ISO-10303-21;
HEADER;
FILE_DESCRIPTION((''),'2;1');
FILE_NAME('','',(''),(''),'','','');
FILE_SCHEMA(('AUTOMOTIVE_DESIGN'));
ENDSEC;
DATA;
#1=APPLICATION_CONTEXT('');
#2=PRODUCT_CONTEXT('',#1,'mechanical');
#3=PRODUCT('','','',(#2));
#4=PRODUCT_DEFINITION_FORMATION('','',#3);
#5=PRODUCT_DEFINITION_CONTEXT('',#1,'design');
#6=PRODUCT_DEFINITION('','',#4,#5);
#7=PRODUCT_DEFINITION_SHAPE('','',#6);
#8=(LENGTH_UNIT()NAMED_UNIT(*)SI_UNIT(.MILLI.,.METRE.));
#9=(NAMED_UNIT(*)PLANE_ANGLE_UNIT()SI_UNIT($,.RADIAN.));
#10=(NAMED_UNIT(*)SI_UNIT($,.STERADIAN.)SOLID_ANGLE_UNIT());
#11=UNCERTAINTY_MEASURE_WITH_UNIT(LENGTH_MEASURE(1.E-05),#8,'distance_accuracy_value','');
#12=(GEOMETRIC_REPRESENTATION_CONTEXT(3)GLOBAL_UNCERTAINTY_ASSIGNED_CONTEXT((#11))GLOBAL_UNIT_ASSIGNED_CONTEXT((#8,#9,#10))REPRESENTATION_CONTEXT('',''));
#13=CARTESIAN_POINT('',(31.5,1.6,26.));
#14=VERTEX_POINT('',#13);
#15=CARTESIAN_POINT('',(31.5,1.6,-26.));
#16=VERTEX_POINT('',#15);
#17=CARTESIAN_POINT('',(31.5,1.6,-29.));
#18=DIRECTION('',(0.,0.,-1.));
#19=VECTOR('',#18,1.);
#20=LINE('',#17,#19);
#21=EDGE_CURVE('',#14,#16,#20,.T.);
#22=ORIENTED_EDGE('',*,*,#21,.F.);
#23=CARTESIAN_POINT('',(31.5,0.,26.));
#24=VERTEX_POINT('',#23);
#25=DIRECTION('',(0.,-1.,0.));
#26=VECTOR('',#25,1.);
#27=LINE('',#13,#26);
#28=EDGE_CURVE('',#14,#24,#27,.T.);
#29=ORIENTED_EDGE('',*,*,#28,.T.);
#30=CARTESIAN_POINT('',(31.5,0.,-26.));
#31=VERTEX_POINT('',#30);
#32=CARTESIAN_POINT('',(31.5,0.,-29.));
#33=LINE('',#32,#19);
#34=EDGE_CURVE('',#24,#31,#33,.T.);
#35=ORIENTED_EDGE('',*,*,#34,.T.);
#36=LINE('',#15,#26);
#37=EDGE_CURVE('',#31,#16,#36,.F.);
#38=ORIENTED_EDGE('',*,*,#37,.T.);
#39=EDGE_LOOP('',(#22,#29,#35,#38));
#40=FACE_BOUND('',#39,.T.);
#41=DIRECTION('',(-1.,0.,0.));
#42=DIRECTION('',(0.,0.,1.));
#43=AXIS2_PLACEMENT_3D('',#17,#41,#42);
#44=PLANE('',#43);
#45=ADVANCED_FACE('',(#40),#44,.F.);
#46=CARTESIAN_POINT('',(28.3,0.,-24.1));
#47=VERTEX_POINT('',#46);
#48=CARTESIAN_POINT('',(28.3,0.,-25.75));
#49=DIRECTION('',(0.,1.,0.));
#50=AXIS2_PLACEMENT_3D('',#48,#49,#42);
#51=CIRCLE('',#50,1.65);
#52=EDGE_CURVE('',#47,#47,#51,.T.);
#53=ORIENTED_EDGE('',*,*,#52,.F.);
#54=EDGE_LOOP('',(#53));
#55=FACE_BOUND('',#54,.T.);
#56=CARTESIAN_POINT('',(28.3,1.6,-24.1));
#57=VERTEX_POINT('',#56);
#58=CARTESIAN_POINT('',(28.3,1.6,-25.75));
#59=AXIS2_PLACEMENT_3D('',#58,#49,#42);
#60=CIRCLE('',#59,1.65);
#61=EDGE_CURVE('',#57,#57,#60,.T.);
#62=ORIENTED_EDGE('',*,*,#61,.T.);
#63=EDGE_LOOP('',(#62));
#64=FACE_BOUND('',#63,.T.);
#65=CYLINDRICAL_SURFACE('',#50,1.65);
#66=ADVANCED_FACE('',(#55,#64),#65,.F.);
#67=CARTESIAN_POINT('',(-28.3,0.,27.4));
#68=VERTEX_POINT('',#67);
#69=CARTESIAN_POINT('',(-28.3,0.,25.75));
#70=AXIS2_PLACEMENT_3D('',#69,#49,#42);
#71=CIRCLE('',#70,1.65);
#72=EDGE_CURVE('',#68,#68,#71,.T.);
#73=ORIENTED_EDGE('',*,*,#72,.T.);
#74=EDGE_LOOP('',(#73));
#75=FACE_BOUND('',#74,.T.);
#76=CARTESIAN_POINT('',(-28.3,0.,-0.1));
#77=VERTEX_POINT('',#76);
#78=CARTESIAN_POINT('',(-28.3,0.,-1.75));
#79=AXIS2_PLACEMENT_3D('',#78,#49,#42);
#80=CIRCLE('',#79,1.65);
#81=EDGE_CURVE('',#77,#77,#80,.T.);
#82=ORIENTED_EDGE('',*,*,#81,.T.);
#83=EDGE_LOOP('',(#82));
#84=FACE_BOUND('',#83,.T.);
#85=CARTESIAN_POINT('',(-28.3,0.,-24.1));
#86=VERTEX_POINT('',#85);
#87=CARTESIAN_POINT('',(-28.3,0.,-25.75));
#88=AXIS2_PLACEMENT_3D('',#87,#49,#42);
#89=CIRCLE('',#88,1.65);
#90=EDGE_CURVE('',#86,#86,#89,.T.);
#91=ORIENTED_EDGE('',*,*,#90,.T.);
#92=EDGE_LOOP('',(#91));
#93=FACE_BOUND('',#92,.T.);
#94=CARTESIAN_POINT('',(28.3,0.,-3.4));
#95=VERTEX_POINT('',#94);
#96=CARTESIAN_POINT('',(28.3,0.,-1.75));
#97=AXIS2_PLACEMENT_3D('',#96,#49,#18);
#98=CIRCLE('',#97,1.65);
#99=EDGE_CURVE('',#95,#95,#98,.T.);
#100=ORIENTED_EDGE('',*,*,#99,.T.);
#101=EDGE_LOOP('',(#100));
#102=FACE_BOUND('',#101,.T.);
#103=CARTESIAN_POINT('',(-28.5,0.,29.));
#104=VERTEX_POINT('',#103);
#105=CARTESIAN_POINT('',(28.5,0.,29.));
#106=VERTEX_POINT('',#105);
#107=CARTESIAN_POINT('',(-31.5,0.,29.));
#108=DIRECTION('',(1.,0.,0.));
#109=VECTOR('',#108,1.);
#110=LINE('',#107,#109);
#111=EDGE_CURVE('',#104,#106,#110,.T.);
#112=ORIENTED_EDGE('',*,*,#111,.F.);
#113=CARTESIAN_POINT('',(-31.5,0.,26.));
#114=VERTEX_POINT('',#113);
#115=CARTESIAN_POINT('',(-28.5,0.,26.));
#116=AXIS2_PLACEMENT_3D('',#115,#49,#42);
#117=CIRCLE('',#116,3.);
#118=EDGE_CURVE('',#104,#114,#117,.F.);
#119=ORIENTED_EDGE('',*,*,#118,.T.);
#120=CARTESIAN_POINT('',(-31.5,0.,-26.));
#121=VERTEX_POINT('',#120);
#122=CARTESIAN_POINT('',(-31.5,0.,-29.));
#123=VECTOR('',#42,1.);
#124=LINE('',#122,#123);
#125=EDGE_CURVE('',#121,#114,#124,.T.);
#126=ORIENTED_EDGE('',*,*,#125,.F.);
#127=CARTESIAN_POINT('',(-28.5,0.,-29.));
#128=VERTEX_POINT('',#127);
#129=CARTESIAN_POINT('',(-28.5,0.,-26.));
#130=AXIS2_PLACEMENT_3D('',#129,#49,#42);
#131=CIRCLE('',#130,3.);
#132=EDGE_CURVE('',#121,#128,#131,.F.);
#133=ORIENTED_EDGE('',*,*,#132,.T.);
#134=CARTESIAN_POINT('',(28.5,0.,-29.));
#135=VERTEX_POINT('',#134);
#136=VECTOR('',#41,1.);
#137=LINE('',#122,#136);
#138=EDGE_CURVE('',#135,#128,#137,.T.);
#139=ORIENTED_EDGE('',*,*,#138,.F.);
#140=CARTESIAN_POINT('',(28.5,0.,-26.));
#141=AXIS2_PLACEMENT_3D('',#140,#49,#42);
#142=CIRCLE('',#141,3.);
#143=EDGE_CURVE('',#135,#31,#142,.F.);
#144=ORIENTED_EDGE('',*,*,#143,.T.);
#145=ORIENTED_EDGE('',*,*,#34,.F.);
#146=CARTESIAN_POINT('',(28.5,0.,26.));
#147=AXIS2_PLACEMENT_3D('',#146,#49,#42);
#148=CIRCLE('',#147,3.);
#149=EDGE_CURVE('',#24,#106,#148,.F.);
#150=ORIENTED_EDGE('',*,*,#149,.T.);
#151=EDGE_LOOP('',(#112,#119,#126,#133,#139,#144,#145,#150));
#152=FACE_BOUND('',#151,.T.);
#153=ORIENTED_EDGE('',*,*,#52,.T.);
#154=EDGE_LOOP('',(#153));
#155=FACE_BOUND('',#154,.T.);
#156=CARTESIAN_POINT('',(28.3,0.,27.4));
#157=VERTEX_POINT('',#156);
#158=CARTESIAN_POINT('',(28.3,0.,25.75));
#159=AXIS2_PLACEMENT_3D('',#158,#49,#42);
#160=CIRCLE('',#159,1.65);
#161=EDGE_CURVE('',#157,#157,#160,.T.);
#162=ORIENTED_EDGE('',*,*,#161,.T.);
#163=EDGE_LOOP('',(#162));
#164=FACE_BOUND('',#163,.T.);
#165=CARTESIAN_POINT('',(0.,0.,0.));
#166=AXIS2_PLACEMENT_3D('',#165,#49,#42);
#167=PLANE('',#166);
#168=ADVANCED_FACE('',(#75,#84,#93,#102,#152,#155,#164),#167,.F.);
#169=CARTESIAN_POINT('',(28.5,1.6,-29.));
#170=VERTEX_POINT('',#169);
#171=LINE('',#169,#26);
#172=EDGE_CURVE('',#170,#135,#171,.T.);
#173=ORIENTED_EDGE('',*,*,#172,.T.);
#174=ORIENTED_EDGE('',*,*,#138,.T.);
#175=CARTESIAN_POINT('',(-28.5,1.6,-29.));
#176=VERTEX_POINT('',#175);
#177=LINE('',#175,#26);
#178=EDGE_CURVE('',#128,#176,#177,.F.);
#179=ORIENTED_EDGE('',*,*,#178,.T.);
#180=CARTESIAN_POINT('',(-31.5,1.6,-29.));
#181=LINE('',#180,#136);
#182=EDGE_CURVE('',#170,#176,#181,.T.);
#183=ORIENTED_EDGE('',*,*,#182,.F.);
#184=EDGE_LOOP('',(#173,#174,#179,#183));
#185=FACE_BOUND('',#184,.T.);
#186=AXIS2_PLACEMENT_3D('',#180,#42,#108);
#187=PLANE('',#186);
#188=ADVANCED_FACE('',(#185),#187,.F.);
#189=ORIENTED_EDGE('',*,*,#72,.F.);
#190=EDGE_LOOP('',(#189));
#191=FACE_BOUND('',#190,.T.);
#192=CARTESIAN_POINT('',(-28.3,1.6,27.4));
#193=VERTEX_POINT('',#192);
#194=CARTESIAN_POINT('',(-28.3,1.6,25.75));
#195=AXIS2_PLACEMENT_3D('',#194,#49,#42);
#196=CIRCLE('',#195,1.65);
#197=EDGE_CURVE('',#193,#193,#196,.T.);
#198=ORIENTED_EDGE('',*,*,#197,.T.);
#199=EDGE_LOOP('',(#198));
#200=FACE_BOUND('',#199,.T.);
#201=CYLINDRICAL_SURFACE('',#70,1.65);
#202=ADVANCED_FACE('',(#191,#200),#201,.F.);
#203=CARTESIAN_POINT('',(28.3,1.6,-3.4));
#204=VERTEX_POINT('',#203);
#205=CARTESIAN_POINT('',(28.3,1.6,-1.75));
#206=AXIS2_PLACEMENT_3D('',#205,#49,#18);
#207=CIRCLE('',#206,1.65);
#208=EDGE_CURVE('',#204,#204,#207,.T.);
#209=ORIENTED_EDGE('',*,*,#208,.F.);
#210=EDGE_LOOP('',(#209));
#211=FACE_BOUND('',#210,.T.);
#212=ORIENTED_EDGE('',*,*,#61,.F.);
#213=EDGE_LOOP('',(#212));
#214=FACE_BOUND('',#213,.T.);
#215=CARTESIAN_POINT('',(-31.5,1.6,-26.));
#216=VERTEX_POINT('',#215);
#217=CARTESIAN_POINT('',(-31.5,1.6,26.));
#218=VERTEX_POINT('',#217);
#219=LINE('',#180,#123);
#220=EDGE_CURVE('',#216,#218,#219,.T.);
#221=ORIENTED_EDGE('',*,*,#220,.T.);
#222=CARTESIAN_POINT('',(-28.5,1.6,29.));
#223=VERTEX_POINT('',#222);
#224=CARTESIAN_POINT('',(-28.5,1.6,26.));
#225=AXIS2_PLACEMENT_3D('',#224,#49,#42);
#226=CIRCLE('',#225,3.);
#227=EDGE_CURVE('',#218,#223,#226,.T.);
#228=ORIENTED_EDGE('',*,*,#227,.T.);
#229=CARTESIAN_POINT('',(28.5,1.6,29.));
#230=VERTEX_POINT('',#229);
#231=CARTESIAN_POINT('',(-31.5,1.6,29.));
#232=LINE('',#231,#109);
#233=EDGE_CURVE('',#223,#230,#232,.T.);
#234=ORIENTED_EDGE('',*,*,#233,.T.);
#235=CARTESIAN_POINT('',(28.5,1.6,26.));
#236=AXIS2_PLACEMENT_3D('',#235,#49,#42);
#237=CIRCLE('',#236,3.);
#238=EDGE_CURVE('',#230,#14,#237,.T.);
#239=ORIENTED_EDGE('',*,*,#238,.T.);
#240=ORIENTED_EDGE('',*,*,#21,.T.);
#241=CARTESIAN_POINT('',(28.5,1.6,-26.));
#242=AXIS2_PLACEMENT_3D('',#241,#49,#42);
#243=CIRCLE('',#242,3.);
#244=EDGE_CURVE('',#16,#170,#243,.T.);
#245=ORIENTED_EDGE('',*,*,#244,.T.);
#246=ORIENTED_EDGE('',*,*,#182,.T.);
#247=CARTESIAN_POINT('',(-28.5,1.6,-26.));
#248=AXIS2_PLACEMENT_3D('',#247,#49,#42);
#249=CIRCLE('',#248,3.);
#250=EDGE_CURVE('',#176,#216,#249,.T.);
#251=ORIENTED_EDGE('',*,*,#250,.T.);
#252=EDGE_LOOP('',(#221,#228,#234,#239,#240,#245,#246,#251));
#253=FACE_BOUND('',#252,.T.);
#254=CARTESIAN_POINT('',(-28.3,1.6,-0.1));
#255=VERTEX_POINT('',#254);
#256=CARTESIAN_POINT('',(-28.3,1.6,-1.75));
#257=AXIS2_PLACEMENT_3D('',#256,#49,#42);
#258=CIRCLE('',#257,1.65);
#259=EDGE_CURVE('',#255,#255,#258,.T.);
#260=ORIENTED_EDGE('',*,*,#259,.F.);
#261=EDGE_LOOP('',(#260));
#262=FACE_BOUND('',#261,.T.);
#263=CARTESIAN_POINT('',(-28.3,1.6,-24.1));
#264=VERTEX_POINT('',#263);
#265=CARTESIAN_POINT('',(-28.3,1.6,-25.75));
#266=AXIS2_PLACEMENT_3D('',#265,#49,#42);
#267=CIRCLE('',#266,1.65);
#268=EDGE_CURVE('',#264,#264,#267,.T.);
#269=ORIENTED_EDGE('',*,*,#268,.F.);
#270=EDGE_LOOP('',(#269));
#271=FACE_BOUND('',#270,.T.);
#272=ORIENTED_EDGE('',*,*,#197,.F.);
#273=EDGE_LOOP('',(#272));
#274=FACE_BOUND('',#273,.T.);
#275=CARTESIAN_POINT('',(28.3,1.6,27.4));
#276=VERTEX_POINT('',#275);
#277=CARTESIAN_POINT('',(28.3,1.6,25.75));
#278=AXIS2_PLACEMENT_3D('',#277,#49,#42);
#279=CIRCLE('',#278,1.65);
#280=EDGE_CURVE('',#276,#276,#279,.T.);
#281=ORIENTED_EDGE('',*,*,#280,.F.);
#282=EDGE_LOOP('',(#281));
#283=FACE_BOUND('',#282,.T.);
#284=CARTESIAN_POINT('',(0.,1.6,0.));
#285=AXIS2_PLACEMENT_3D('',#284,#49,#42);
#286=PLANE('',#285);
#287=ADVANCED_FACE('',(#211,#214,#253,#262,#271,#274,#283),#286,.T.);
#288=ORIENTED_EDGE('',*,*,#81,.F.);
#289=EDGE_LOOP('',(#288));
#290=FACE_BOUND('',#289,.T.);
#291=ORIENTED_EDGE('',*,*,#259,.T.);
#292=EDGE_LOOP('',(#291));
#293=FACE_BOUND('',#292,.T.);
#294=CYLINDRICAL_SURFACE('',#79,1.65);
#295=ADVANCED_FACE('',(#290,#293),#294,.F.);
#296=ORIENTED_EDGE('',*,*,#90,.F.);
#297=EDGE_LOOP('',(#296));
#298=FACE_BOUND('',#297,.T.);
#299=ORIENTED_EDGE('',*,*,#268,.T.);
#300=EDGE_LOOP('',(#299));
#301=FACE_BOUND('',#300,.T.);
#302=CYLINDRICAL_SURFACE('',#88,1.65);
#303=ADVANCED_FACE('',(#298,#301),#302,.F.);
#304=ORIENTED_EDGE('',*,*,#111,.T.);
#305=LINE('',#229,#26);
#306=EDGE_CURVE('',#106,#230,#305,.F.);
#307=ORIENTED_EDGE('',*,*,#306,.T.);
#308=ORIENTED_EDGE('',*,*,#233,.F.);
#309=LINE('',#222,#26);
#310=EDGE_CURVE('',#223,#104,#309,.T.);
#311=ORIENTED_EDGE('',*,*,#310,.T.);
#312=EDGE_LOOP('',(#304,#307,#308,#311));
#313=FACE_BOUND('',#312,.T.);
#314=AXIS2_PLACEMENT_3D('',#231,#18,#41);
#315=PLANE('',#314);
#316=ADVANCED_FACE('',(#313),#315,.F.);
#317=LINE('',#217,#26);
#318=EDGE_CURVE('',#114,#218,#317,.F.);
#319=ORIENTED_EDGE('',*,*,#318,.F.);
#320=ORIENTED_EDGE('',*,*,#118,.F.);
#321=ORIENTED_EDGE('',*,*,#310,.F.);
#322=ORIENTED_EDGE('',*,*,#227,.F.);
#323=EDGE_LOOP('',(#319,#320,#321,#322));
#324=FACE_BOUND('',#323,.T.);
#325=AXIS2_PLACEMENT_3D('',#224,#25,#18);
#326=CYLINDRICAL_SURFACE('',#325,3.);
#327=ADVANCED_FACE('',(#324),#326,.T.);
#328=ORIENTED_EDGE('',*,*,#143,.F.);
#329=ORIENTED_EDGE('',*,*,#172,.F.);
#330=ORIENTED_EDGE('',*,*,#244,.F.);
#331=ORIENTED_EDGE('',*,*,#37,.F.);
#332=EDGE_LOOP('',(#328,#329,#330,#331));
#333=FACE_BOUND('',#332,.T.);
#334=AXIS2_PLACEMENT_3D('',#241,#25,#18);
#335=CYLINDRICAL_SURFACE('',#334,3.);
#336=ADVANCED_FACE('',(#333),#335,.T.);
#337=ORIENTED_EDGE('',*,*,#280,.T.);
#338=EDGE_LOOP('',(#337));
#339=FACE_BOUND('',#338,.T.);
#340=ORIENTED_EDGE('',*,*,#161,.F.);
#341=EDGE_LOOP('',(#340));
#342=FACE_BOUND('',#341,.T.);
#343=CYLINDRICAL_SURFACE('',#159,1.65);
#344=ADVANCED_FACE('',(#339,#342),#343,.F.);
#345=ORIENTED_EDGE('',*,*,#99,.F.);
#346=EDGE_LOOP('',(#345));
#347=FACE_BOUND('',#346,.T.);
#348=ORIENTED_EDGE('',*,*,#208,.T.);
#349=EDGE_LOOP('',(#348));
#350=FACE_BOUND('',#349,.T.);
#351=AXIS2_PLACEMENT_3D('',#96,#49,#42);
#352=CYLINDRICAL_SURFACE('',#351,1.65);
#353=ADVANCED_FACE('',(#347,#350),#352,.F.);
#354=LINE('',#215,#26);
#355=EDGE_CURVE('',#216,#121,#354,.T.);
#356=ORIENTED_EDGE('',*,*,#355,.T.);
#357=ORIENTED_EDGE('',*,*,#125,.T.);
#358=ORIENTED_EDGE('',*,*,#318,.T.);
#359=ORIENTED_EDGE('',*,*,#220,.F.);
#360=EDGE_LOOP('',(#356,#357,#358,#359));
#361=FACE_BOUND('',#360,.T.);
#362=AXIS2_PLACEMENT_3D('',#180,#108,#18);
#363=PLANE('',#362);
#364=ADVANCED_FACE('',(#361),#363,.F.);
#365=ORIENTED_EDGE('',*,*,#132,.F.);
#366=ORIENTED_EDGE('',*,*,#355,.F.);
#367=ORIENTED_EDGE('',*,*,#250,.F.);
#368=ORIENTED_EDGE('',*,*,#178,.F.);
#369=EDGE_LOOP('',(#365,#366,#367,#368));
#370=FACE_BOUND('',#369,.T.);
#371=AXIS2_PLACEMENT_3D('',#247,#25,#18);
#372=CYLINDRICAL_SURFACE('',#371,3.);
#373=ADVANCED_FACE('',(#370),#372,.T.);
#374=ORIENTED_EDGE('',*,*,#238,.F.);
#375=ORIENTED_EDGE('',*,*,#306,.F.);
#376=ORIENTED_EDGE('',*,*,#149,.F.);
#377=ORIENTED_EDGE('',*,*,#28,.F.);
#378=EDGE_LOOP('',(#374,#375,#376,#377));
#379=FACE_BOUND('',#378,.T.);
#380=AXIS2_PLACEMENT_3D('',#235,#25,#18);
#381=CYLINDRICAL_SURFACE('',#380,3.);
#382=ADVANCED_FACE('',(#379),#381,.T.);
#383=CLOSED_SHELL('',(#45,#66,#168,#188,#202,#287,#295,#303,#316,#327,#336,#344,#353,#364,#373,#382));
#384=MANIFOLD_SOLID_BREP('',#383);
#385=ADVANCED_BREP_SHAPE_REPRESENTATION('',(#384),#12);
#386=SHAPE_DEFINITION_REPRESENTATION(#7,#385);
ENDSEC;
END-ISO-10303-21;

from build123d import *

# Parameters (mm, degrees)
SKETCH_1_W          = 63
SKETCH_1_H          = 58
EXTRUDE_1_DEPTH     = 1.6
SKETCH_2_R          = 1.65
CUT_EXTRUDE_1_DEPTH = 1.6
FILLET_1_R          = 3
SKETCH_3_R          = 1.65
CUT_EXTRUDE_2_DEPTH = 1.6


with BuildPart() as part:
    # 草图1 → 凸台-拉伸1 (new body)
    with BuildSketch(Plane(origin=(0, 0, 0), x_dir=(1, 0, 0), z_dir=(0, 1, 0))):
        Rectangle(SKETCH_1_W, SKETCH_1_H)
    extrude(amount=EXTRUDE_1_DEPTH)

    # 草图2 → 切除-拉伸1 (cut)
    with BuildSketch(Plane(origin=(0, 1.6, 0), x_dir=(1, 0, 0), z_dir=(0, 1, 0))):
        with Locations((-28.3, 25.75)):
            Circle(SKETCH_2_R)
        with Locations((28.3, 25.75)):
            Circle(SKETCH_2_R)
        with Locations((28.3, -25.75)):
            Circle(SKETCH_2_R)
        with Locations((-28.3, -25.75)):
            Circle(SKETCH_2_R)
    extrude(amount=-CUT_EXTRUDE_1_DEPTH, mode=Mode.SUBTRACT)

    # 圆角1
    fillet_1_edges = [part.edges().sort_by_distance(p)[0] for p in [
        (31.5, 0.8, 29),
        (-31.5, 0.8, 29),
        (-31.5, 0.8, -29),
        (31.5, 0.8, -29),
    ]]
    fillet(fillet_1_edges, radius=FILLET_1_R)

    # 草图3 → 切除-拉伸2 (cut)
    with BuildSketch(Plane(origin=(0, 1.6, 0), x_dir=(1, 0, 0), z_dir=(0, 1, 0))):
        with Locations((-28.3, 1.75)):
            Circle(SKETCH_3_R)
        with Locations((28.3, 1.75)):
            Circle(SKETCH_3_R)
    extrude(amount=-CUT_EXTRUDE_2_DEPTH, mode=Mode.SUBTRACT)


solid = part.part
